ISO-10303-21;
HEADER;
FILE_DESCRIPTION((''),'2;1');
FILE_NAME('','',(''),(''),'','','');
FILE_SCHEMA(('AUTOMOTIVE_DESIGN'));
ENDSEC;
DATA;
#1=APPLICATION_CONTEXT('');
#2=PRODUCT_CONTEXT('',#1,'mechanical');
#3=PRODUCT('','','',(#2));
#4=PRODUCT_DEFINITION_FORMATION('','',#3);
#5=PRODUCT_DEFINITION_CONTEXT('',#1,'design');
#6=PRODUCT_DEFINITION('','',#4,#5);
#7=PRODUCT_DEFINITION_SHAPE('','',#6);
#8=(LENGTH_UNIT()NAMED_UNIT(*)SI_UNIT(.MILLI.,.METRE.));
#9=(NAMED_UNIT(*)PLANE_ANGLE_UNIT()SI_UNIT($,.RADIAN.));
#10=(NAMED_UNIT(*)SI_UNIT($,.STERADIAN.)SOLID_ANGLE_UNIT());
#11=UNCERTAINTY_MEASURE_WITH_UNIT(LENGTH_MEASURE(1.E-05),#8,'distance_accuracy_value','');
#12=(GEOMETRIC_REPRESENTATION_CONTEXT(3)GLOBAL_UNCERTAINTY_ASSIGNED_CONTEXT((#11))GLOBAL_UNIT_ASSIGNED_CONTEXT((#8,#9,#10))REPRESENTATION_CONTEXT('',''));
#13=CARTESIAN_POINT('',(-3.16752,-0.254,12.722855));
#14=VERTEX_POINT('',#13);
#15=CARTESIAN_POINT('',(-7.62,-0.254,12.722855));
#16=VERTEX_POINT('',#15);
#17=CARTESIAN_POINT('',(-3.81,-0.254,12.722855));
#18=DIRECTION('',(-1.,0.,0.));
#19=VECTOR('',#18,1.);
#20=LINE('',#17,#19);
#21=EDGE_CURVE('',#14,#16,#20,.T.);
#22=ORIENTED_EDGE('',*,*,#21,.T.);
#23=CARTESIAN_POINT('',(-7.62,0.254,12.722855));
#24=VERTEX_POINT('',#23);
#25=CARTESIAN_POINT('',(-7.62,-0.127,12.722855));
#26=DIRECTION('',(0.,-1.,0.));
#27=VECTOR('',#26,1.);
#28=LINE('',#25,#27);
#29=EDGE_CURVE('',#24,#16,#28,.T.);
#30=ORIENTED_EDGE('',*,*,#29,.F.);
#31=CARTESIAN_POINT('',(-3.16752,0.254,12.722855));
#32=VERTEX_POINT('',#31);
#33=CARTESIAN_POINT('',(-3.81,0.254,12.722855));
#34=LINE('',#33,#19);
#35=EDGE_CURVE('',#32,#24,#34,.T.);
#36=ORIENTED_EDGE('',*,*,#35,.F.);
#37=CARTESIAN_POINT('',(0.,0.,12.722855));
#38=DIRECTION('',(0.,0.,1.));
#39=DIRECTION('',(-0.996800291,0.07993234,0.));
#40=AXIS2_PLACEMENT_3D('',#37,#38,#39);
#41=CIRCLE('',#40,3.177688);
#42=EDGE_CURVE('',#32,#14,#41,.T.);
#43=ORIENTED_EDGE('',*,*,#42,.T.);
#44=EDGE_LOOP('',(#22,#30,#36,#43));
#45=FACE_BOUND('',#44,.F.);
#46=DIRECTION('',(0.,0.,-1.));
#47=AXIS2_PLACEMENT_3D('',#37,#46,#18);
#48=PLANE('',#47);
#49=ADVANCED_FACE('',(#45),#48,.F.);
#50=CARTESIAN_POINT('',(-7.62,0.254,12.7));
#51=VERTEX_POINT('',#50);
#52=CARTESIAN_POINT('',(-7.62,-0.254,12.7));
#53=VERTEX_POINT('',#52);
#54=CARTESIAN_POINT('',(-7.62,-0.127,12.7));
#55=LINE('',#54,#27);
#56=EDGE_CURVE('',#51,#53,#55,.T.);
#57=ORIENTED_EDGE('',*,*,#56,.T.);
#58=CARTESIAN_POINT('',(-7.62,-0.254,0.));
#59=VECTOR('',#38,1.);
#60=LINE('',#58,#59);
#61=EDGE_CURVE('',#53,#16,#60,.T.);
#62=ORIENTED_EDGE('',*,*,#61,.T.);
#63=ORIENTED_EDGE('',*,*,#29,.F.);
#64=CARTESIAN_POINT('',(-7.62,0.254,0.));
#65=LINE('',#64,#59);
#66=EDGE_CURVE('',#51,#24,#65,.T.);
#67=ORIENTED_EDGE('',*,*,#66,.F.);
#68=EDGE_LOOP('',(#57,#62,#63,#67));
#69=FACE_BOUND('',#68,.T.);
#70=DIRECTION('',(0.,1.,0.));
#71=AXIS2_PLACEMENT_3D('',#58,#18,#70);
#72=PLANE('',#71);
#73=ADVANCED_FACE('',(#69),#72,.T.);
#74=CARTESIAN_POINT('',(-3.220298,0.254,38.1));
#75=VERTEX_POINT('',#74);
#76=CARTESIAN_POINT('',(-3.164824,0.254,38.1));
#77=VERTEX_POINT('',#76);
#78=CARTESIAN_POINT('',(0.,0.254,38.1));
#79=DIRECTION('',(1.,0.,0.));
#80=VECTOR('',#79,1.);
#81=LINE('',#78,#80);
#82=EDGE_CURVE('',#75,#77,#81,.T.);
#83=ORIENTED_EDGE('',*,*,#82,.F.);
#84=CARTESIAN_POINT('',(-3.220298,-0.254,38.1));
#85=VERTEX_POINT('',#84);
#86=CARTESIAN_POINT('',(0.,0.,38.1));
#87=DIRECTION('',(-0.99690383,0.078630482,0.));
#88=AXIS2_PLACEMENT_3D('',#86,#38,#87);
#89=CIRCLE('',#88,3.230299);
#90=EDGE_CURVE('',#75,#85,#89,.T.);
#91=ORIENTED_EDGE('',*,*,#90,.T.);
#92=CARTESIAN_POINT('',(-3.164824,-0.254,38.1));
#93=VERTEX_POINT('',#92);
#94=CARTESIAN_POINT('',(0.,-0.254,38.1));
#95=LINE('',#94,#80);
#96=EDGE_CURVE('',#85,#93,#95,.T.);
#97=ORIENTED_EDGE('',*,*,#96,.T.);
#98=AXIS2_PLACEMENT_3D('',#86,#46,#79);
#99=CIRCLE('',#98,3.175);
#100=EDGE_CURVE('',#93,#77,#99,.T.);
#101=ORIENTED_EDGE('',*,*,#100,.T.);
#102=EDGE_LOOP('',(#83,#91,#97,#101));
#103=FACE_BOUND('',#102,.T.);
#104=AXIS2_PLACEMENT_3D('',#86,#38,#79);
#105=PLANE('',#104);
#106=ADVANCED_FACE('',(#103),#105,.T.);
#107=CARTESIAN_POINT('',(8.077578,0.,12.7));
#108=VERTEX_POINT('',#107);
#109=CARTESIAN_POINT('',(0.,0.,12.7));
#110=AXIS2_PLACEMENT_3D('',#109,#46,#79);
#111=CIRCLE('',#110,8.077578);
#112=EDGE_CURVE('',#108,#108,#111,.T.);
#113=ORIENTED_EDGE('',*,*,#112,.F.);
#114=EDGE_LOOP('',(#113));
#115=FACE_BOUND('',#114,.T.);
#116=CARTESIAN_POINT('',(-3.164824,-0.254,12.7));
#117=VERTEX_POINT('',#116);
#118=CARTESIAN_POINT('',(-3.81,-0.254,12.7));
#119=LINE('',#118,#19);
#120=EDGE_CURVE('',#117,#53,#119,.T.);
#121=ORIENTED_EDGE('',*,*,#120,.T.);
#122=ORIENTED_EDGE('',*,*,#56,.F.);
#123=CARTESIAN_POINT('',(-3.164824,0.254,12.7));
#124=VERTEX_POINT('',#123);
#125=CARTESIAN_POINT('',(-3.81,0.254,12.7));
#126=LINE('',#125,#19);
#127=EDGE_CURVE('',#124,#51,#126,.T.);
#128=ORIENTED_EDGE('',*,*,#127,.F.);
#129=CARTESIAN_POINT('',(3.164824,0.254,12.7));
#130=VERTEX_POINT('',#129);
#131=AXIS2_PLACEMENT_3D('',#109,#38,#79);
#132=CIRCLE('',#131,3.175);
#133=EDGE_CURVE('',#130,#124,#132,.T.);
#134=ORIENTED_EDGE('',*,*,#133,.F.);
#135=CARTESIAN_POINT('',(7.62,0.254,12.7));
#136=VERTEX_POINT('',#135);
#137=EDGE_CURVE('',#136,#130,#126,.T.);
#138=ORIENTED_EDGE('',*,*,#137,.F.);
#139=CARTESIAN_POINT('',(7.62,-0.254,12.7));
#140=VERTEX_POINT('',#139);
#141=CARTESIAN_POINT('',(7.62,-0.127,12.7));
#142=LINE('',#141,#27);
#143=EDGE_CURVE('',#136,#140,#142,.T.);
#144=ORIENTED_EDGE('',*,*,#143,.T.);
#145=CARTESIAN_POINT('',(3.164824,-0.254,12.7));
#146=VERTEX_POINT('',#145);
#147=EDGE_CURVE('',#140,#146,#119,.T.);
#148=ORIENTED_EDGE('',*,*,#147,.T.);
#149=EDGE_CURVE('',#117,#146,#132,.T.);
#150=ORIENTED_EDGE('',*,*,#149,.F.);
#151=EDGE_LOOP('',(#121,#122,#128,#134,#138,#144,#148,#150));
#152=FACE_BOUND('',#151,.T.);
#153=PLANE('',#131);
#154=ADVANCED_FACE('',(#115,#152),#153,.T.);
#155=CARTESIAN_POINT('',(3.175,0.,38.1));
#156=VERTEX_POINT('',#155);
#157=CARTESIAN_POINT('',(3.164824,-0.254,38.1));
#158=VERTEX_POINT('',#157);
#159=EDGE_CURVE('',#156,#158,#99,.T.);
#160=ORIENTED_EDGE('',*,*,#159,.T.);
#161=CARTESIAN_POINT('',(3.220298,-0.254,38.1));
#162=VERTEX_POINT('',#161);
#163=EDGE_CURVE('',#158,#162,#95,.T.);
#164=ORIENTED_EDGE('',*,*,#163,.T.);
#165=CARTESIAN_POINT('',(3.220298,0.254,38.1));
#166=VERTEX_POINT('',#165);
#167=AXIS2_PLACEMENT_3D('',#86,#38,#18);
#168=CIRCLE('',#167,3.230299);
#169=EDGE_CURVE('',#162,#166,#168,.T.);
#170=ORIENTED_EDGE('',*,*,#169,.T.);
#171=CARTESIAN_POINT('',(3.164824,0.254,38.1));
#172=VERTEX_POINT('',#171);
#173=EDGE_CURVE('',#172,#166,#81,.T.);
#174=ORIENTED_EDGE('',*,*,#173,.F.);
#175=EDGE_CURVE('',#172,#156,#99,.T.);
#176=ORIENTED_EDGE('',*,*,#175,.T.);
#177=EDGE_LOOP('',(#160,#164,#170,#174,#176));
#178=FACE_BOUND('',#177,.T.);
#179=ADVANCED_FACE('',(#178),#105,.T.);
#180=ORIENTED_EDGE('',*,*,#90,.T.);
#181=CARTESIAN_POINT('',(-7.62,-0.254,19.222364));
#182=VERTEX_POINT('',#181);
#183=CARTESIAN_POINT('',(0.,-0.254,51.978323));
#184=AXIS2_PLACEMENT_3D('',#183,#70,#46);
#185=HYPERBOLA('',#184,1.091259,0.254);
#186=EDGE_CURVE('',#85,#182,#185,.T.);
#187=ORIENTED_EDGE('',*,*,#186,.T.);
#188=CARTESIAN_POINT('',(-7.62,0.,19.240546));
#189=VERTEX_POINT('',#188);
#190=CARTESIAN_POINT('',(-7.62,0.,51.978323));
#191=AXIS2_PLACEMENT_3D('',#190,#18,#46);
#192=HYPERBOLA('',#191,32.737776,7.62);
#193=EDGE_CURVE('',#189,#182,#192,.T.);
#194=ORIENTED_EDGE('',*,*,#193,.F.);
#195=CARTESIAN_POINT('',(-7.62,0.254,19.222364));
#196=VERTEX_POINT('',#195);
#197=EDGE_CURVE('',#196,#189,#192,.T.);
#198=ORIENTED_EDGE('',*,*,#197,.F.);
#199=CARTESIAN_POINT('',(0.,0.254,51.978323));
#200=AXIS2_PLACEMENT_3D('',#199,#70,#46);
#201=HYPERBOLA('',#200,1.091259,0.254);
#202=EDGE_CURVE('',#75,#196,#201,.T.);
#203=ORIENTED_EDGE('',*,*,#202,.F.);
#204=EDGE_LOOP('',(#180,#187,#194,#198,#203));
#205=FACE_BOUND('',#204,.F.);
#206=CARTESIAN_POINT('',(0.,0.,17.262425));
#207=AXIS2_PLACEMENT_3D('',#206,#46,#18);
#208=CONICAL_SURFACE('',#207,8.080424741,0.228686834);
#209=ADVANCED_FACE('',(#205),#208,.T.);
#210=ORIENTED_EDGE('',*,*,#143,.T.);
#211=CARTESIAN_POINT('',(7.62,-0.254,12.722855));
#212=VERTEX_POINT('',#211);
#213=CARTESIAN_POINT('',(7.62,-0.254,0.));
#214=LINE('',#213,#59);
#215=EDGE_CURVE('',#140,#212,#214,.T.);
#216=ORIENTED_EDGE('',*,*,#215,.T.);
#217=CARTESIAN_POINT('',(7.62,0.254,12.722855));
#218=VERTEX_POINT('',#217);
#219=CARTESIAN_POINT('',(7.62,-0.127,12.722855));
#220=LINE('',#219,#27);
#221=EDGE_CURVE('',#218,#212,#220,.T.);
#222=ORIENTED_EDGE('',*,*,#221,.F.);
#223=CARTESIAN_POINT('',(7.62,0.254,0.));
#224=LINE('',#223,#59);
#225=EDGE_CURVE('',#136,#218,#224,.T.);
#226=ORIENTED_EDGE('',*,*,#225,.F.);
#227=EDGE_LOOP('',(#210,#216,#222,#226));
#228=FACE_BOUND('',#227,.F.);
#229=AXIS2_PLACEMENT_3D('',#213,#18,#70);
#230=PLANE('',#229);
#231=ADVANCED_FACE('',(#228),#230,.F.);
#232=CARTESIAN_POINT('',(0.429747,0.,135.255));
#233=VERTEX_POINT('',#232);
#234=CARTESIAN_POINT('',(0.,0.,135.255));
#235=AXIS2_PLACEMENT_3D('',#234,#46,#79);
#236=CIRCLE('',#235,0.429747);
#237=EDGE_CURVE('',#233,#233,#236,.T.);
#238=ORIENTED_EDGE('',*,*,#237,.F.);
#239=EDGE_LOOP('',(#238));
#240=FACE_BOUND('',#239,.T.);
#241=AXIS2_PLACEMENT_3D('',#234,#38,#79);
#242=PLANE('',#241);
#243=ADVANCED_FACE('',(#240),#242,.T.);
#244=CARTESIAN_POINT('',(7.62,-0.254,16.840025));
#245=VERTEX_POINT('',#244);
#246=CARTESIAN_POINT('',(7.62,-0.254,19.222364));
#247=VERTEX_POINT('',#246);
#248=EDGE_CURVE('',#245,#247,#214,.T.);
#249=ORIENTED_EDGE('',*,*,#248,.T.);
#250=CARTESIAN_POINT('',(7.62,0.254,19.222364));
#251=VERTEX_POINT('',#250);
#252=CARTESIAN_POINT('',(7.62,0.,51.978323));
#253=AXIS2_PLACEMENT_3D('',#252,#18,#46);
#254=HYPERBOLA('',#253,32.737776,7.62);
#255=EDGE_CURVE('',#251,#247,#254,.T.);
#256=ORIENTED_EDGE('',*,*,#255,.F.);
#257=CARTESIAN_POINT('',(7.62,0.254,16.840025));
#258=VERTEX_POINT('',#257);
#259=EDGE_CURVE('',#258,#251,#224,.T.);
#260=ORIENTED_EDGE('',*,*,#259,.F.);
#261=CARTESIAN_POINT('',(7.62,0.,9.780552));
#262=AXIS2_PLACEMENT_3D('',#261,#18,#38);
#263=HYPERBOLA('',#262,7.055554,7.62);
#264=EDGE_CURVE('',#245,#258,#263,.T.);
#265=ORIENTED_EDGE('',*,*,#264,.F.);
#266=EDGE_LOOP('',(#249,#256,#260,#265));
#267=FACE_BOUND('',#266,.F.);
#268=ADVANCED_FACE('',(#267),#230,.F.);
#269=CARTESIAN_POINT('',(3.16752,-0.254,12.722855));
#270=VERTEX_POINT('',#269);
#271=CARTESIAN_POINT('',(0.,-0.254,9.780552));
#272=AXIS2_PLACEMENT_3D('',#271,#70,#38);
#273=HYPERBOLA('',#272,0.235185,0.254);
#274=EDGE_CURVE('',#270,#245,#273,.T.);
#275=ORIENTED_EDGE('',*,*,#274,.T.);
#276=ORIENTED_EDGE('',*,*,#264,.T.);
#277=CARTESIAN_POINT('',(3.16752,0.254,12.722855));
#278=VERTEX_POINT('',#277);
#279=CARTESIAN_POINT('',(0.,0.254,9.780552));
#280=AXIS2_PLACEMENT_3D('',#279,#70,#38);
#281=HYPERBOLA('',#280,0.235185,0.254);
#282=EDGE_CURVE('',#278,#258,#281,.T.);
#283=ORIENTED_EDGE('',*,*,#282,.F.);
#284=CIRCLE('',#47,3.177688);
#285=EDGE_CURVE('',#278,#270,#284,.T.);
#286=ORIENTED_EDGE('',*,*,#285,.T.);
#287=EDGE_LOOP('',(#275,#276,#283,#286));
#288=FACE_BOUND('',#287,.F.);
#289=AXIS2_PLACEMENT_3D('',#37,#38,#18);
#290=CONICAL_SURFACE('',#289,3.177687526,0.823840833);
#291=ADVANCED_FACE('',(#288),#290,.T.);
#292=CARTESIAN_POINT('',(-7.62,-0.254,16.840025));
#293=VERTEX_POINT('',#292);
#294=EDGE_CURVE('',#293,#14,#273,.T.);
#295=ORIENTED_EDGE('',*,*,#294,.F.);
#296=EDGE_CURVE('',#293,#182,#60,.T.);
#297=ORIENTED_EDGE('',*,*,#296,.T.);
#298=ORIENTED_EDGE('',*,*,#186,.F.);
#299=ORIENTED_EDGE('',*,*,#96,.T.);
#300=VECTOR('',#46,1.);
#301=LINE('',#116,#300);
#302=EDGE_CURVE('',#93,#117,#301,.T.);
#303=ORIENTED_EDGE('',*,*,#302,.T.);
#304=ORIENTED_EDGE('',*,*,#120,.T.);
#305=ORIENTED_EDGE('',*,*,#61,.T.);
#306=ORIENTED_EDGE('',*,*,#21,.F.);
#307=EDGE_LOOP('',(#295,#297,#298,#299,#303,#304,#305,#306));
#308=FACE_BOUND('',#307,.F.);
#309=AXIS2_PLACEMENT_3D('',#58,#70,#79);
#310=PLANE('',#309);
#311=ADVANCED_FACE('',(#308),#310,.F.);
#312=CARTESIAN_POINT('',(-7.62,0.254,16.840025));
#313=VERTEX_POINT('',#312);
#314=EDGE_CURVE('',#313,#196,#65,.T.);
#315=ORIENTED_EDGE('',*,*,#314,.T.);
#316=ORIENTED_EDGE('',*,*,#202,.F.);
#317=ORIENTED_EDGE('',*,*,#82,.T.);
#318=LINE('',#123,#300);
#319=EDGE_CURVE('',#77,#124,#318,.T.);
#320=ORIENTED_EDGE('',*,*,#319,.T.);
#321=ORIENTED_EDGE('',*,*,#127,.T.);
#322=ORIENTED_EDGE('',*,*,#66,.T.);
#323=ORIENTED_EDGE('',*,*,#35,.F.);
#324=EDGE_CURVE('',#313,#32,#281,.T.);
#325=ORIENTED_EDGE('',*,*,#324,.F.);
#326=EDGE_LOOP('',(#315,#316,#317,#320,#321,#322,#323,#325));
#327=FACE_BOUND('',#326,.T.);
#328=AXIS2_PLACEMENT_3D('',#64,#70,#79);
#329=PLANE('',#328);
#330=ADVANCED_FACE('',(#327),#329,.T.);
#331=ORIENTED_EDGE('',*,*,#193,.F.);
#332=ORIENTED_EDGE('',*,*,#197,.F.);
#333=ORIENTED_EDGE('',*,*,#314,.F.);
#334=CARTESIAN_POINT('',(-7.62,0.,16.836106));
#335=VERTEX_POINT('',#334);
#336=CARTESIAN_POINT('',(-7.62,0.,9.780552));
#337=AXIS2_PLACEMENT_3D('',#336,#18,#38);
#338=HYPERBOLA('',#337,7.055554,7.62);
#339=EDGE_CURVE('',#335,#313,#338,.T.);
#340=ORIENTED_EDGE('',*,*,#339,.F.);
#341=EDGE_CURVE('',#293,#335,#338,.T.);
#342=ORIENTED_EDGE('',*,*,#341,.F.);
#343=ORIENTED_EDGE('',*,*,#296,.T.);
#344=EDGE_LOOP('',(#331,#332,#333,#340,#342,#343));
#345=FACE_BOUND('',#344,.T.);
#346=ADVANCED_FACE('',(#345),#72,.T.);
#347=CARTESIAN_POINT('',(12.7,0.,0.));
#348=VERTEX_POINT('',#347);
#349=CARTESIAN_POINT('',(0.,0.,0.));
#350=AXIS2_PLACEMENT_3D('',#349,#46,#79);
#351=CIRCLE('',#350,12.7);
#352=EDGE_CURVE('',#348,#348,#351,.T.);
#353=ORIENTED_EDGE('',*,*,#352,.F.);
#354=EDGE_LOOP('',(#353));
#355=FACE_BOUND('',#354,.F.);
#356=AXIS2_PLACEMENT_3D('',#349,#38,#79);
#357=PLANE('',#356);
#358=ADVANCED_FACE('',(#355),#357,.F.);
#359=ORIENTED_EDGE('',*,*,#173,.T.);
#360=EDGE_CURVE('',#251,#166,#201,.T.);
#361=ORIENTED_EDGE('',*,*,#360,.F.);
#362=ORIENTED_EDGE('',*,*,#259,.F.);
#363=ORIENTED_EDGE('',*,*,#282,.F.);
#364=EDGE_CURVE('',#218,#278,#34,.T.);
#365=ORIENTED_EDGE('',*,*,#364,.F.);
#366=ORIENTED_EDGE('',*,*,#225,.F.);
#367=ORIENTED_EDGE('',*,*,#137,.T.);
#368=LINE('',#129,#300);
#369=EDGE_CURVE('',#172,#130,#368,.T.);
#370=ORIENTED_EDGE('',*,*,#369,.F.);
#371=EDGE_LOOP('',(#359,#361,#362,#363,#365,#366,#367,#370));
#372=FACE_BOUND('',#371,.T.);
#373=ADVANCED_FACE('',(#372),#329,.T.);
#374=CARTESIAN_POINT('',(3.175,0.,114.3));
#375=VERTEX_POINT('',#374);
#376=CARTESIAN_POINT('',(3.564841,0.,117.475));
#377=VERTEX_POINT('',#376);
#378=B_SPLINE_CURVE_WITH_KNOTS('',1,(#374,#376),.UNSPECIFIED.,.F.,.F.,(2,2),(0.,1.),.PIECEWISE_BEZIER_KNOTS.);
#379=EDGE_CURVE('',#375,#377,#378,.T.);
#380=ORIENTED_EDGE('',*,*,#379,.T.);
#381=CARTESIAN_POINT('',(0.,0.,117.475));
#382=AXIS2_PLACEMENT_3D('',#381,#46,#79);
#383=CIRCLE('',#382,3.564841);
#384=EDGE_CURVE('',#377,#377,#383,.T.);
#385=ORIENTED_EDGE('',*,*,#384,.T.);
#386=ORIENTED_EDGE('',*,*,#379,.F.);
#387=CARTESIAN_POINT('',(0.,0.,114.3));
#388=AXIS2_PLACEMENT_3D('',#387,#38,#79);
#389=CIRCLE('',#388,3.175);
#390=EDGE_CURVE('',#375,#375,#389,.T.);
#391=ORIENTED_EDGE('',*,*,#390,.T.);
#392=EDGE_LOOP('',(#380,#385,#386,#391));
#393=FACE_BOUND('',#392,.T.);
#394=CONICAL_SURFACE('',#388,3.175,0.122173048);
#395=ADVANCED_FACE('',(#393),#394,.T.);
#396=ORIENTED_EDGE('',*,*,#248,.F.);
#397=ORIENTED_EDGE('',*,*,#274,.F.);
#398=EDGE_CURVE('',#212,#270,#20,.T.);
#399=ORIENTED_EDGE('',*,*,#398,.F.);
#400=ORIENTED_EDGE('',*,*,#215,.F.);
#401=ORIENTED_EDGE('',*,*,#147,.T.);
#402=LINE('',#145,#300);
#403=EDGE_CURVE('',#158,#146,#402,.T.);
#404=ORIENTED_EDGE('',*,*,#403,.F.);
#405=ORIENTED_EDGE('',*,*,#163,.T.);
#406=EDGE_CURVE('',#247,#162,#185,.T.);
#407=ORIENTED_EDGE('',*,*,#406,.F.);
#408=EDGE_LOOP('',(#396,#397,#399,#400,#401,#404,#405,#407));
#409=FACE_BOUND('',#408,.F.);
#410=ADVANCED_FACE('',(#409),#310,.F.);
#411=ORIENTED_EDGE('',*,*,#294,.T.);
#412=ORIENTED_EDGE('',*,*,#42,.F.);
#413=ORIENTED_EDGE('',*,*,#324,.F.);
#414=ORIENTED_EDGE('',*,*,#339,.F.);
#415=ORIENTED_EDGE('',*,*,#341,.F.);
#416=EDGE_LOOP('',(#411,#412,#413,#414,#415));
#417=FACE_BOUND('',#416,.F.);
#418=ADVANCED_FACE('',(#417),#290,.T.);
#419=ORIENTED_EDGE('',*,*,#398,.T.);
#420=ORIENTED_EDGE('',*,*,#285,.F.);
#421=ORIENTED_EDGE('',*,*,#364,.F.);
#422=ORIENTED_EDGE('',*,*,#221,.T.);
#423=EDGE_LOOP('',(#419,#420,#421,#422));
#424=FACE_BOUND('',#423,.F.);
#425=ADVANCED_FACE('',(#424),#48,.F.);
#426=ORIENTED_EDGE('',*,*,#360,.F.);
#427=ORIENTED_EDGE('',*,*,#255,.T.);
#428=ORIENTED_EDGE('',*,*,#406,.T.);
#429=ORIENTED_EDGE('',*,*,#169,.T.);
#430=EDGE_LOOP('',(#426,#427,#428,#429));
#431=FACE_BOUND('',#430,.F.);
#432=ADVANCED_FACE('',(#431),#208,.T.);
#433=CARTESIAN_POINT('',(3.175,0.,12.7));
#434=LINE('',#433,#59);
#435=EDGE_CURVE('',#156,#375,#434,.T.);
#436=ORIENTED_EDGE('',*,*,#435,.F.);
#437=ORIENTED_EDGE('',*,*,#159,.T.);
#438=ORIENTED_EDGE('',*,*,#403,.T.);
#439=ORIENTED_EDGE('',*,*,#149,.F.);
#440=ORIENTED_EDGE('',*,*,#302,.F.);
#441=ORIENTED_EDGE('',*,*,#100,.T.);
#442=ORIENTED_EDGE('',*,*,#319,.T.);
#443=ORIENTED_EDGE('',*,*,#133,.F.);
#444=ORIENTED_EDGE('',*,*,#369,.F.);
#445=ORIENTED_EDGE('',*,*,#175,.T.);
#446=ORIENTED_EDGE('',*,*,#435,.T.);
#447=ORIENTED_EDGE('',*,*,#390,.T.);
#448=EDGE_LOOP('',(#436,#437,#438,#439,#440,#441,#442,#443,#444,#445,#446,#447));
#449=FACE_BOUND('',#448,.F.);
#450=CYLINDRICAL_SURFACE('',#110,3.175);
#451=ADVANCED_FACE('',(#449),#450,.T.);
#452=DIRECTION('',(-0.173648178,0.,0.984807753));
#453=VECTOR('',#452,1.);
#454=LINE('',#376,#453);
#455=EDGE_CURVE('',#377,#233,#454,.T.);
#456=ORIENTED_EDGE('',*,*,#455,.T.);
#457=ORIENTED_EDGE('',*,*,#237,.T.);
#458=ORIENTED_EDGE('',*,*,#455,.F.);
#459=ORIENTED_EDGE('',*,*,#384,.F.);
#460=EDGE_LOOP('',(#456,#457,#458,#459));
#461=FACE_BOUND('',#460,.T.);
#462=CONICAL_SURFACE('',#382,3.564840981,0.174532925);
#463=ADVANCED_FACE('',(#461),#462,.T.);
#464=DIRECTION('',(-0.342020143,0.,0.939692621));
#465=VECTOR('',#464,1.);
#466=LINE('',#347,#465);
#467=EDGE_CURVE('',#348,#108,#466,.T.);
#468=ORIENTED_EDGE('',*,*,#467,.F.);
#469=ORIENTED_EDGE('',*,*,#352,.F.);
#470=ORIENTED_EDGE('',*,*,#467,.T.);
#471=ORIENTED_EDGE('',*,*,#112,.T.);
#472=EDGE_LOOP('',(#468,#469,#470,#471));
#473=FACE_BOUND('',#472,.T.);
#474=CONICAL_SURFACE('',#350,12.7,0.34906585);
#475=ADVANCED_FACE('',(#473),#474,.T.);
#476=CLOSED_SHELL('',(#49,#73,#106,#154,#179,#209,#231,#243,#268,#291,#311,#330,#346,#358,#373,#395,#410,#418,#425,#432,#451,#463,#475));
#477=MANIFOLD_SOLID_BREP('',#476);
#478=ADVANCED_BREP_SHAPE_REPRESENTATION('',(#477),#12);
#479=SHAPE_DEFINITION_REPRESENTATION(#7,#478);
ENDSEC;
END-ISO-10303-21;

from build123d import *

# Parameters (mm, degrees)
F0_R     = 12.7
F1_DEPTH = 12.7
F1_TAPER = 20
F2_R     = 3.175
F3_DEPTH = 101.6
F4_R     = 3.175
F5_DEPTH = 3.175
F5_TAPER = -7
F6_R     = 3.5648409809
F7_DEPTH = 17.78
F7_TAPER = 10
F8_W     = 15.24
F8_H     = 0.508
F9_DEPTH = 38.1


with BuildPart() as f1:
    # F0 (on Top) → F1 (new body)
    with BuildSketch(Plane.XY):
        Circle(F0_R)
    extrude(amount=F1_DEPTH, taper=F1_TAPER)

    # F2 (on face) → F3 (join)
    with BuildSketch(Plane.XY.offset(12.7)):
        Circle(F2_R)
    extrude(amount=F3_DEPTH)

    # F4 (on face) → F5 (join)
    with BuildSketch(Plane.XY.offset(114.3)):
        Circle(F4_R)
    extrude(amount=F5_DEPTH, taper=F5_TAPER)

    # F6 (on face) → F7 (join)
    with BuildSketch(Plane.XY.offset(117.475)):
        Circle(F6_R)
    extrude(amount=F7_DEPTH, taper=F7_TAPER)

    # F8 (on Top) → F9 (join)
    with BuildSketch(Plane.XY):
        Rectangle(F8_W, F8_H)
    extrude(amount=F9_DEPTH)

    # F10 (on Front) → F12 (revolve, cut)
    with BuildSketch(Plane.XZ):
        Polygon((-8.0804247409, 17.2624252737), (-3.1776875257, 38.326036185), (-8.6857005954, 39.8392230272), (-11.7726093158, 12.7228545025), (-3.1776875257, 12.7228545025), align=None)
    revolve(axis=Axis((0, 0, -4.9230908044), (0, 0, -1)), mode=Mode.SUBTRACT)


solid = f1.part
